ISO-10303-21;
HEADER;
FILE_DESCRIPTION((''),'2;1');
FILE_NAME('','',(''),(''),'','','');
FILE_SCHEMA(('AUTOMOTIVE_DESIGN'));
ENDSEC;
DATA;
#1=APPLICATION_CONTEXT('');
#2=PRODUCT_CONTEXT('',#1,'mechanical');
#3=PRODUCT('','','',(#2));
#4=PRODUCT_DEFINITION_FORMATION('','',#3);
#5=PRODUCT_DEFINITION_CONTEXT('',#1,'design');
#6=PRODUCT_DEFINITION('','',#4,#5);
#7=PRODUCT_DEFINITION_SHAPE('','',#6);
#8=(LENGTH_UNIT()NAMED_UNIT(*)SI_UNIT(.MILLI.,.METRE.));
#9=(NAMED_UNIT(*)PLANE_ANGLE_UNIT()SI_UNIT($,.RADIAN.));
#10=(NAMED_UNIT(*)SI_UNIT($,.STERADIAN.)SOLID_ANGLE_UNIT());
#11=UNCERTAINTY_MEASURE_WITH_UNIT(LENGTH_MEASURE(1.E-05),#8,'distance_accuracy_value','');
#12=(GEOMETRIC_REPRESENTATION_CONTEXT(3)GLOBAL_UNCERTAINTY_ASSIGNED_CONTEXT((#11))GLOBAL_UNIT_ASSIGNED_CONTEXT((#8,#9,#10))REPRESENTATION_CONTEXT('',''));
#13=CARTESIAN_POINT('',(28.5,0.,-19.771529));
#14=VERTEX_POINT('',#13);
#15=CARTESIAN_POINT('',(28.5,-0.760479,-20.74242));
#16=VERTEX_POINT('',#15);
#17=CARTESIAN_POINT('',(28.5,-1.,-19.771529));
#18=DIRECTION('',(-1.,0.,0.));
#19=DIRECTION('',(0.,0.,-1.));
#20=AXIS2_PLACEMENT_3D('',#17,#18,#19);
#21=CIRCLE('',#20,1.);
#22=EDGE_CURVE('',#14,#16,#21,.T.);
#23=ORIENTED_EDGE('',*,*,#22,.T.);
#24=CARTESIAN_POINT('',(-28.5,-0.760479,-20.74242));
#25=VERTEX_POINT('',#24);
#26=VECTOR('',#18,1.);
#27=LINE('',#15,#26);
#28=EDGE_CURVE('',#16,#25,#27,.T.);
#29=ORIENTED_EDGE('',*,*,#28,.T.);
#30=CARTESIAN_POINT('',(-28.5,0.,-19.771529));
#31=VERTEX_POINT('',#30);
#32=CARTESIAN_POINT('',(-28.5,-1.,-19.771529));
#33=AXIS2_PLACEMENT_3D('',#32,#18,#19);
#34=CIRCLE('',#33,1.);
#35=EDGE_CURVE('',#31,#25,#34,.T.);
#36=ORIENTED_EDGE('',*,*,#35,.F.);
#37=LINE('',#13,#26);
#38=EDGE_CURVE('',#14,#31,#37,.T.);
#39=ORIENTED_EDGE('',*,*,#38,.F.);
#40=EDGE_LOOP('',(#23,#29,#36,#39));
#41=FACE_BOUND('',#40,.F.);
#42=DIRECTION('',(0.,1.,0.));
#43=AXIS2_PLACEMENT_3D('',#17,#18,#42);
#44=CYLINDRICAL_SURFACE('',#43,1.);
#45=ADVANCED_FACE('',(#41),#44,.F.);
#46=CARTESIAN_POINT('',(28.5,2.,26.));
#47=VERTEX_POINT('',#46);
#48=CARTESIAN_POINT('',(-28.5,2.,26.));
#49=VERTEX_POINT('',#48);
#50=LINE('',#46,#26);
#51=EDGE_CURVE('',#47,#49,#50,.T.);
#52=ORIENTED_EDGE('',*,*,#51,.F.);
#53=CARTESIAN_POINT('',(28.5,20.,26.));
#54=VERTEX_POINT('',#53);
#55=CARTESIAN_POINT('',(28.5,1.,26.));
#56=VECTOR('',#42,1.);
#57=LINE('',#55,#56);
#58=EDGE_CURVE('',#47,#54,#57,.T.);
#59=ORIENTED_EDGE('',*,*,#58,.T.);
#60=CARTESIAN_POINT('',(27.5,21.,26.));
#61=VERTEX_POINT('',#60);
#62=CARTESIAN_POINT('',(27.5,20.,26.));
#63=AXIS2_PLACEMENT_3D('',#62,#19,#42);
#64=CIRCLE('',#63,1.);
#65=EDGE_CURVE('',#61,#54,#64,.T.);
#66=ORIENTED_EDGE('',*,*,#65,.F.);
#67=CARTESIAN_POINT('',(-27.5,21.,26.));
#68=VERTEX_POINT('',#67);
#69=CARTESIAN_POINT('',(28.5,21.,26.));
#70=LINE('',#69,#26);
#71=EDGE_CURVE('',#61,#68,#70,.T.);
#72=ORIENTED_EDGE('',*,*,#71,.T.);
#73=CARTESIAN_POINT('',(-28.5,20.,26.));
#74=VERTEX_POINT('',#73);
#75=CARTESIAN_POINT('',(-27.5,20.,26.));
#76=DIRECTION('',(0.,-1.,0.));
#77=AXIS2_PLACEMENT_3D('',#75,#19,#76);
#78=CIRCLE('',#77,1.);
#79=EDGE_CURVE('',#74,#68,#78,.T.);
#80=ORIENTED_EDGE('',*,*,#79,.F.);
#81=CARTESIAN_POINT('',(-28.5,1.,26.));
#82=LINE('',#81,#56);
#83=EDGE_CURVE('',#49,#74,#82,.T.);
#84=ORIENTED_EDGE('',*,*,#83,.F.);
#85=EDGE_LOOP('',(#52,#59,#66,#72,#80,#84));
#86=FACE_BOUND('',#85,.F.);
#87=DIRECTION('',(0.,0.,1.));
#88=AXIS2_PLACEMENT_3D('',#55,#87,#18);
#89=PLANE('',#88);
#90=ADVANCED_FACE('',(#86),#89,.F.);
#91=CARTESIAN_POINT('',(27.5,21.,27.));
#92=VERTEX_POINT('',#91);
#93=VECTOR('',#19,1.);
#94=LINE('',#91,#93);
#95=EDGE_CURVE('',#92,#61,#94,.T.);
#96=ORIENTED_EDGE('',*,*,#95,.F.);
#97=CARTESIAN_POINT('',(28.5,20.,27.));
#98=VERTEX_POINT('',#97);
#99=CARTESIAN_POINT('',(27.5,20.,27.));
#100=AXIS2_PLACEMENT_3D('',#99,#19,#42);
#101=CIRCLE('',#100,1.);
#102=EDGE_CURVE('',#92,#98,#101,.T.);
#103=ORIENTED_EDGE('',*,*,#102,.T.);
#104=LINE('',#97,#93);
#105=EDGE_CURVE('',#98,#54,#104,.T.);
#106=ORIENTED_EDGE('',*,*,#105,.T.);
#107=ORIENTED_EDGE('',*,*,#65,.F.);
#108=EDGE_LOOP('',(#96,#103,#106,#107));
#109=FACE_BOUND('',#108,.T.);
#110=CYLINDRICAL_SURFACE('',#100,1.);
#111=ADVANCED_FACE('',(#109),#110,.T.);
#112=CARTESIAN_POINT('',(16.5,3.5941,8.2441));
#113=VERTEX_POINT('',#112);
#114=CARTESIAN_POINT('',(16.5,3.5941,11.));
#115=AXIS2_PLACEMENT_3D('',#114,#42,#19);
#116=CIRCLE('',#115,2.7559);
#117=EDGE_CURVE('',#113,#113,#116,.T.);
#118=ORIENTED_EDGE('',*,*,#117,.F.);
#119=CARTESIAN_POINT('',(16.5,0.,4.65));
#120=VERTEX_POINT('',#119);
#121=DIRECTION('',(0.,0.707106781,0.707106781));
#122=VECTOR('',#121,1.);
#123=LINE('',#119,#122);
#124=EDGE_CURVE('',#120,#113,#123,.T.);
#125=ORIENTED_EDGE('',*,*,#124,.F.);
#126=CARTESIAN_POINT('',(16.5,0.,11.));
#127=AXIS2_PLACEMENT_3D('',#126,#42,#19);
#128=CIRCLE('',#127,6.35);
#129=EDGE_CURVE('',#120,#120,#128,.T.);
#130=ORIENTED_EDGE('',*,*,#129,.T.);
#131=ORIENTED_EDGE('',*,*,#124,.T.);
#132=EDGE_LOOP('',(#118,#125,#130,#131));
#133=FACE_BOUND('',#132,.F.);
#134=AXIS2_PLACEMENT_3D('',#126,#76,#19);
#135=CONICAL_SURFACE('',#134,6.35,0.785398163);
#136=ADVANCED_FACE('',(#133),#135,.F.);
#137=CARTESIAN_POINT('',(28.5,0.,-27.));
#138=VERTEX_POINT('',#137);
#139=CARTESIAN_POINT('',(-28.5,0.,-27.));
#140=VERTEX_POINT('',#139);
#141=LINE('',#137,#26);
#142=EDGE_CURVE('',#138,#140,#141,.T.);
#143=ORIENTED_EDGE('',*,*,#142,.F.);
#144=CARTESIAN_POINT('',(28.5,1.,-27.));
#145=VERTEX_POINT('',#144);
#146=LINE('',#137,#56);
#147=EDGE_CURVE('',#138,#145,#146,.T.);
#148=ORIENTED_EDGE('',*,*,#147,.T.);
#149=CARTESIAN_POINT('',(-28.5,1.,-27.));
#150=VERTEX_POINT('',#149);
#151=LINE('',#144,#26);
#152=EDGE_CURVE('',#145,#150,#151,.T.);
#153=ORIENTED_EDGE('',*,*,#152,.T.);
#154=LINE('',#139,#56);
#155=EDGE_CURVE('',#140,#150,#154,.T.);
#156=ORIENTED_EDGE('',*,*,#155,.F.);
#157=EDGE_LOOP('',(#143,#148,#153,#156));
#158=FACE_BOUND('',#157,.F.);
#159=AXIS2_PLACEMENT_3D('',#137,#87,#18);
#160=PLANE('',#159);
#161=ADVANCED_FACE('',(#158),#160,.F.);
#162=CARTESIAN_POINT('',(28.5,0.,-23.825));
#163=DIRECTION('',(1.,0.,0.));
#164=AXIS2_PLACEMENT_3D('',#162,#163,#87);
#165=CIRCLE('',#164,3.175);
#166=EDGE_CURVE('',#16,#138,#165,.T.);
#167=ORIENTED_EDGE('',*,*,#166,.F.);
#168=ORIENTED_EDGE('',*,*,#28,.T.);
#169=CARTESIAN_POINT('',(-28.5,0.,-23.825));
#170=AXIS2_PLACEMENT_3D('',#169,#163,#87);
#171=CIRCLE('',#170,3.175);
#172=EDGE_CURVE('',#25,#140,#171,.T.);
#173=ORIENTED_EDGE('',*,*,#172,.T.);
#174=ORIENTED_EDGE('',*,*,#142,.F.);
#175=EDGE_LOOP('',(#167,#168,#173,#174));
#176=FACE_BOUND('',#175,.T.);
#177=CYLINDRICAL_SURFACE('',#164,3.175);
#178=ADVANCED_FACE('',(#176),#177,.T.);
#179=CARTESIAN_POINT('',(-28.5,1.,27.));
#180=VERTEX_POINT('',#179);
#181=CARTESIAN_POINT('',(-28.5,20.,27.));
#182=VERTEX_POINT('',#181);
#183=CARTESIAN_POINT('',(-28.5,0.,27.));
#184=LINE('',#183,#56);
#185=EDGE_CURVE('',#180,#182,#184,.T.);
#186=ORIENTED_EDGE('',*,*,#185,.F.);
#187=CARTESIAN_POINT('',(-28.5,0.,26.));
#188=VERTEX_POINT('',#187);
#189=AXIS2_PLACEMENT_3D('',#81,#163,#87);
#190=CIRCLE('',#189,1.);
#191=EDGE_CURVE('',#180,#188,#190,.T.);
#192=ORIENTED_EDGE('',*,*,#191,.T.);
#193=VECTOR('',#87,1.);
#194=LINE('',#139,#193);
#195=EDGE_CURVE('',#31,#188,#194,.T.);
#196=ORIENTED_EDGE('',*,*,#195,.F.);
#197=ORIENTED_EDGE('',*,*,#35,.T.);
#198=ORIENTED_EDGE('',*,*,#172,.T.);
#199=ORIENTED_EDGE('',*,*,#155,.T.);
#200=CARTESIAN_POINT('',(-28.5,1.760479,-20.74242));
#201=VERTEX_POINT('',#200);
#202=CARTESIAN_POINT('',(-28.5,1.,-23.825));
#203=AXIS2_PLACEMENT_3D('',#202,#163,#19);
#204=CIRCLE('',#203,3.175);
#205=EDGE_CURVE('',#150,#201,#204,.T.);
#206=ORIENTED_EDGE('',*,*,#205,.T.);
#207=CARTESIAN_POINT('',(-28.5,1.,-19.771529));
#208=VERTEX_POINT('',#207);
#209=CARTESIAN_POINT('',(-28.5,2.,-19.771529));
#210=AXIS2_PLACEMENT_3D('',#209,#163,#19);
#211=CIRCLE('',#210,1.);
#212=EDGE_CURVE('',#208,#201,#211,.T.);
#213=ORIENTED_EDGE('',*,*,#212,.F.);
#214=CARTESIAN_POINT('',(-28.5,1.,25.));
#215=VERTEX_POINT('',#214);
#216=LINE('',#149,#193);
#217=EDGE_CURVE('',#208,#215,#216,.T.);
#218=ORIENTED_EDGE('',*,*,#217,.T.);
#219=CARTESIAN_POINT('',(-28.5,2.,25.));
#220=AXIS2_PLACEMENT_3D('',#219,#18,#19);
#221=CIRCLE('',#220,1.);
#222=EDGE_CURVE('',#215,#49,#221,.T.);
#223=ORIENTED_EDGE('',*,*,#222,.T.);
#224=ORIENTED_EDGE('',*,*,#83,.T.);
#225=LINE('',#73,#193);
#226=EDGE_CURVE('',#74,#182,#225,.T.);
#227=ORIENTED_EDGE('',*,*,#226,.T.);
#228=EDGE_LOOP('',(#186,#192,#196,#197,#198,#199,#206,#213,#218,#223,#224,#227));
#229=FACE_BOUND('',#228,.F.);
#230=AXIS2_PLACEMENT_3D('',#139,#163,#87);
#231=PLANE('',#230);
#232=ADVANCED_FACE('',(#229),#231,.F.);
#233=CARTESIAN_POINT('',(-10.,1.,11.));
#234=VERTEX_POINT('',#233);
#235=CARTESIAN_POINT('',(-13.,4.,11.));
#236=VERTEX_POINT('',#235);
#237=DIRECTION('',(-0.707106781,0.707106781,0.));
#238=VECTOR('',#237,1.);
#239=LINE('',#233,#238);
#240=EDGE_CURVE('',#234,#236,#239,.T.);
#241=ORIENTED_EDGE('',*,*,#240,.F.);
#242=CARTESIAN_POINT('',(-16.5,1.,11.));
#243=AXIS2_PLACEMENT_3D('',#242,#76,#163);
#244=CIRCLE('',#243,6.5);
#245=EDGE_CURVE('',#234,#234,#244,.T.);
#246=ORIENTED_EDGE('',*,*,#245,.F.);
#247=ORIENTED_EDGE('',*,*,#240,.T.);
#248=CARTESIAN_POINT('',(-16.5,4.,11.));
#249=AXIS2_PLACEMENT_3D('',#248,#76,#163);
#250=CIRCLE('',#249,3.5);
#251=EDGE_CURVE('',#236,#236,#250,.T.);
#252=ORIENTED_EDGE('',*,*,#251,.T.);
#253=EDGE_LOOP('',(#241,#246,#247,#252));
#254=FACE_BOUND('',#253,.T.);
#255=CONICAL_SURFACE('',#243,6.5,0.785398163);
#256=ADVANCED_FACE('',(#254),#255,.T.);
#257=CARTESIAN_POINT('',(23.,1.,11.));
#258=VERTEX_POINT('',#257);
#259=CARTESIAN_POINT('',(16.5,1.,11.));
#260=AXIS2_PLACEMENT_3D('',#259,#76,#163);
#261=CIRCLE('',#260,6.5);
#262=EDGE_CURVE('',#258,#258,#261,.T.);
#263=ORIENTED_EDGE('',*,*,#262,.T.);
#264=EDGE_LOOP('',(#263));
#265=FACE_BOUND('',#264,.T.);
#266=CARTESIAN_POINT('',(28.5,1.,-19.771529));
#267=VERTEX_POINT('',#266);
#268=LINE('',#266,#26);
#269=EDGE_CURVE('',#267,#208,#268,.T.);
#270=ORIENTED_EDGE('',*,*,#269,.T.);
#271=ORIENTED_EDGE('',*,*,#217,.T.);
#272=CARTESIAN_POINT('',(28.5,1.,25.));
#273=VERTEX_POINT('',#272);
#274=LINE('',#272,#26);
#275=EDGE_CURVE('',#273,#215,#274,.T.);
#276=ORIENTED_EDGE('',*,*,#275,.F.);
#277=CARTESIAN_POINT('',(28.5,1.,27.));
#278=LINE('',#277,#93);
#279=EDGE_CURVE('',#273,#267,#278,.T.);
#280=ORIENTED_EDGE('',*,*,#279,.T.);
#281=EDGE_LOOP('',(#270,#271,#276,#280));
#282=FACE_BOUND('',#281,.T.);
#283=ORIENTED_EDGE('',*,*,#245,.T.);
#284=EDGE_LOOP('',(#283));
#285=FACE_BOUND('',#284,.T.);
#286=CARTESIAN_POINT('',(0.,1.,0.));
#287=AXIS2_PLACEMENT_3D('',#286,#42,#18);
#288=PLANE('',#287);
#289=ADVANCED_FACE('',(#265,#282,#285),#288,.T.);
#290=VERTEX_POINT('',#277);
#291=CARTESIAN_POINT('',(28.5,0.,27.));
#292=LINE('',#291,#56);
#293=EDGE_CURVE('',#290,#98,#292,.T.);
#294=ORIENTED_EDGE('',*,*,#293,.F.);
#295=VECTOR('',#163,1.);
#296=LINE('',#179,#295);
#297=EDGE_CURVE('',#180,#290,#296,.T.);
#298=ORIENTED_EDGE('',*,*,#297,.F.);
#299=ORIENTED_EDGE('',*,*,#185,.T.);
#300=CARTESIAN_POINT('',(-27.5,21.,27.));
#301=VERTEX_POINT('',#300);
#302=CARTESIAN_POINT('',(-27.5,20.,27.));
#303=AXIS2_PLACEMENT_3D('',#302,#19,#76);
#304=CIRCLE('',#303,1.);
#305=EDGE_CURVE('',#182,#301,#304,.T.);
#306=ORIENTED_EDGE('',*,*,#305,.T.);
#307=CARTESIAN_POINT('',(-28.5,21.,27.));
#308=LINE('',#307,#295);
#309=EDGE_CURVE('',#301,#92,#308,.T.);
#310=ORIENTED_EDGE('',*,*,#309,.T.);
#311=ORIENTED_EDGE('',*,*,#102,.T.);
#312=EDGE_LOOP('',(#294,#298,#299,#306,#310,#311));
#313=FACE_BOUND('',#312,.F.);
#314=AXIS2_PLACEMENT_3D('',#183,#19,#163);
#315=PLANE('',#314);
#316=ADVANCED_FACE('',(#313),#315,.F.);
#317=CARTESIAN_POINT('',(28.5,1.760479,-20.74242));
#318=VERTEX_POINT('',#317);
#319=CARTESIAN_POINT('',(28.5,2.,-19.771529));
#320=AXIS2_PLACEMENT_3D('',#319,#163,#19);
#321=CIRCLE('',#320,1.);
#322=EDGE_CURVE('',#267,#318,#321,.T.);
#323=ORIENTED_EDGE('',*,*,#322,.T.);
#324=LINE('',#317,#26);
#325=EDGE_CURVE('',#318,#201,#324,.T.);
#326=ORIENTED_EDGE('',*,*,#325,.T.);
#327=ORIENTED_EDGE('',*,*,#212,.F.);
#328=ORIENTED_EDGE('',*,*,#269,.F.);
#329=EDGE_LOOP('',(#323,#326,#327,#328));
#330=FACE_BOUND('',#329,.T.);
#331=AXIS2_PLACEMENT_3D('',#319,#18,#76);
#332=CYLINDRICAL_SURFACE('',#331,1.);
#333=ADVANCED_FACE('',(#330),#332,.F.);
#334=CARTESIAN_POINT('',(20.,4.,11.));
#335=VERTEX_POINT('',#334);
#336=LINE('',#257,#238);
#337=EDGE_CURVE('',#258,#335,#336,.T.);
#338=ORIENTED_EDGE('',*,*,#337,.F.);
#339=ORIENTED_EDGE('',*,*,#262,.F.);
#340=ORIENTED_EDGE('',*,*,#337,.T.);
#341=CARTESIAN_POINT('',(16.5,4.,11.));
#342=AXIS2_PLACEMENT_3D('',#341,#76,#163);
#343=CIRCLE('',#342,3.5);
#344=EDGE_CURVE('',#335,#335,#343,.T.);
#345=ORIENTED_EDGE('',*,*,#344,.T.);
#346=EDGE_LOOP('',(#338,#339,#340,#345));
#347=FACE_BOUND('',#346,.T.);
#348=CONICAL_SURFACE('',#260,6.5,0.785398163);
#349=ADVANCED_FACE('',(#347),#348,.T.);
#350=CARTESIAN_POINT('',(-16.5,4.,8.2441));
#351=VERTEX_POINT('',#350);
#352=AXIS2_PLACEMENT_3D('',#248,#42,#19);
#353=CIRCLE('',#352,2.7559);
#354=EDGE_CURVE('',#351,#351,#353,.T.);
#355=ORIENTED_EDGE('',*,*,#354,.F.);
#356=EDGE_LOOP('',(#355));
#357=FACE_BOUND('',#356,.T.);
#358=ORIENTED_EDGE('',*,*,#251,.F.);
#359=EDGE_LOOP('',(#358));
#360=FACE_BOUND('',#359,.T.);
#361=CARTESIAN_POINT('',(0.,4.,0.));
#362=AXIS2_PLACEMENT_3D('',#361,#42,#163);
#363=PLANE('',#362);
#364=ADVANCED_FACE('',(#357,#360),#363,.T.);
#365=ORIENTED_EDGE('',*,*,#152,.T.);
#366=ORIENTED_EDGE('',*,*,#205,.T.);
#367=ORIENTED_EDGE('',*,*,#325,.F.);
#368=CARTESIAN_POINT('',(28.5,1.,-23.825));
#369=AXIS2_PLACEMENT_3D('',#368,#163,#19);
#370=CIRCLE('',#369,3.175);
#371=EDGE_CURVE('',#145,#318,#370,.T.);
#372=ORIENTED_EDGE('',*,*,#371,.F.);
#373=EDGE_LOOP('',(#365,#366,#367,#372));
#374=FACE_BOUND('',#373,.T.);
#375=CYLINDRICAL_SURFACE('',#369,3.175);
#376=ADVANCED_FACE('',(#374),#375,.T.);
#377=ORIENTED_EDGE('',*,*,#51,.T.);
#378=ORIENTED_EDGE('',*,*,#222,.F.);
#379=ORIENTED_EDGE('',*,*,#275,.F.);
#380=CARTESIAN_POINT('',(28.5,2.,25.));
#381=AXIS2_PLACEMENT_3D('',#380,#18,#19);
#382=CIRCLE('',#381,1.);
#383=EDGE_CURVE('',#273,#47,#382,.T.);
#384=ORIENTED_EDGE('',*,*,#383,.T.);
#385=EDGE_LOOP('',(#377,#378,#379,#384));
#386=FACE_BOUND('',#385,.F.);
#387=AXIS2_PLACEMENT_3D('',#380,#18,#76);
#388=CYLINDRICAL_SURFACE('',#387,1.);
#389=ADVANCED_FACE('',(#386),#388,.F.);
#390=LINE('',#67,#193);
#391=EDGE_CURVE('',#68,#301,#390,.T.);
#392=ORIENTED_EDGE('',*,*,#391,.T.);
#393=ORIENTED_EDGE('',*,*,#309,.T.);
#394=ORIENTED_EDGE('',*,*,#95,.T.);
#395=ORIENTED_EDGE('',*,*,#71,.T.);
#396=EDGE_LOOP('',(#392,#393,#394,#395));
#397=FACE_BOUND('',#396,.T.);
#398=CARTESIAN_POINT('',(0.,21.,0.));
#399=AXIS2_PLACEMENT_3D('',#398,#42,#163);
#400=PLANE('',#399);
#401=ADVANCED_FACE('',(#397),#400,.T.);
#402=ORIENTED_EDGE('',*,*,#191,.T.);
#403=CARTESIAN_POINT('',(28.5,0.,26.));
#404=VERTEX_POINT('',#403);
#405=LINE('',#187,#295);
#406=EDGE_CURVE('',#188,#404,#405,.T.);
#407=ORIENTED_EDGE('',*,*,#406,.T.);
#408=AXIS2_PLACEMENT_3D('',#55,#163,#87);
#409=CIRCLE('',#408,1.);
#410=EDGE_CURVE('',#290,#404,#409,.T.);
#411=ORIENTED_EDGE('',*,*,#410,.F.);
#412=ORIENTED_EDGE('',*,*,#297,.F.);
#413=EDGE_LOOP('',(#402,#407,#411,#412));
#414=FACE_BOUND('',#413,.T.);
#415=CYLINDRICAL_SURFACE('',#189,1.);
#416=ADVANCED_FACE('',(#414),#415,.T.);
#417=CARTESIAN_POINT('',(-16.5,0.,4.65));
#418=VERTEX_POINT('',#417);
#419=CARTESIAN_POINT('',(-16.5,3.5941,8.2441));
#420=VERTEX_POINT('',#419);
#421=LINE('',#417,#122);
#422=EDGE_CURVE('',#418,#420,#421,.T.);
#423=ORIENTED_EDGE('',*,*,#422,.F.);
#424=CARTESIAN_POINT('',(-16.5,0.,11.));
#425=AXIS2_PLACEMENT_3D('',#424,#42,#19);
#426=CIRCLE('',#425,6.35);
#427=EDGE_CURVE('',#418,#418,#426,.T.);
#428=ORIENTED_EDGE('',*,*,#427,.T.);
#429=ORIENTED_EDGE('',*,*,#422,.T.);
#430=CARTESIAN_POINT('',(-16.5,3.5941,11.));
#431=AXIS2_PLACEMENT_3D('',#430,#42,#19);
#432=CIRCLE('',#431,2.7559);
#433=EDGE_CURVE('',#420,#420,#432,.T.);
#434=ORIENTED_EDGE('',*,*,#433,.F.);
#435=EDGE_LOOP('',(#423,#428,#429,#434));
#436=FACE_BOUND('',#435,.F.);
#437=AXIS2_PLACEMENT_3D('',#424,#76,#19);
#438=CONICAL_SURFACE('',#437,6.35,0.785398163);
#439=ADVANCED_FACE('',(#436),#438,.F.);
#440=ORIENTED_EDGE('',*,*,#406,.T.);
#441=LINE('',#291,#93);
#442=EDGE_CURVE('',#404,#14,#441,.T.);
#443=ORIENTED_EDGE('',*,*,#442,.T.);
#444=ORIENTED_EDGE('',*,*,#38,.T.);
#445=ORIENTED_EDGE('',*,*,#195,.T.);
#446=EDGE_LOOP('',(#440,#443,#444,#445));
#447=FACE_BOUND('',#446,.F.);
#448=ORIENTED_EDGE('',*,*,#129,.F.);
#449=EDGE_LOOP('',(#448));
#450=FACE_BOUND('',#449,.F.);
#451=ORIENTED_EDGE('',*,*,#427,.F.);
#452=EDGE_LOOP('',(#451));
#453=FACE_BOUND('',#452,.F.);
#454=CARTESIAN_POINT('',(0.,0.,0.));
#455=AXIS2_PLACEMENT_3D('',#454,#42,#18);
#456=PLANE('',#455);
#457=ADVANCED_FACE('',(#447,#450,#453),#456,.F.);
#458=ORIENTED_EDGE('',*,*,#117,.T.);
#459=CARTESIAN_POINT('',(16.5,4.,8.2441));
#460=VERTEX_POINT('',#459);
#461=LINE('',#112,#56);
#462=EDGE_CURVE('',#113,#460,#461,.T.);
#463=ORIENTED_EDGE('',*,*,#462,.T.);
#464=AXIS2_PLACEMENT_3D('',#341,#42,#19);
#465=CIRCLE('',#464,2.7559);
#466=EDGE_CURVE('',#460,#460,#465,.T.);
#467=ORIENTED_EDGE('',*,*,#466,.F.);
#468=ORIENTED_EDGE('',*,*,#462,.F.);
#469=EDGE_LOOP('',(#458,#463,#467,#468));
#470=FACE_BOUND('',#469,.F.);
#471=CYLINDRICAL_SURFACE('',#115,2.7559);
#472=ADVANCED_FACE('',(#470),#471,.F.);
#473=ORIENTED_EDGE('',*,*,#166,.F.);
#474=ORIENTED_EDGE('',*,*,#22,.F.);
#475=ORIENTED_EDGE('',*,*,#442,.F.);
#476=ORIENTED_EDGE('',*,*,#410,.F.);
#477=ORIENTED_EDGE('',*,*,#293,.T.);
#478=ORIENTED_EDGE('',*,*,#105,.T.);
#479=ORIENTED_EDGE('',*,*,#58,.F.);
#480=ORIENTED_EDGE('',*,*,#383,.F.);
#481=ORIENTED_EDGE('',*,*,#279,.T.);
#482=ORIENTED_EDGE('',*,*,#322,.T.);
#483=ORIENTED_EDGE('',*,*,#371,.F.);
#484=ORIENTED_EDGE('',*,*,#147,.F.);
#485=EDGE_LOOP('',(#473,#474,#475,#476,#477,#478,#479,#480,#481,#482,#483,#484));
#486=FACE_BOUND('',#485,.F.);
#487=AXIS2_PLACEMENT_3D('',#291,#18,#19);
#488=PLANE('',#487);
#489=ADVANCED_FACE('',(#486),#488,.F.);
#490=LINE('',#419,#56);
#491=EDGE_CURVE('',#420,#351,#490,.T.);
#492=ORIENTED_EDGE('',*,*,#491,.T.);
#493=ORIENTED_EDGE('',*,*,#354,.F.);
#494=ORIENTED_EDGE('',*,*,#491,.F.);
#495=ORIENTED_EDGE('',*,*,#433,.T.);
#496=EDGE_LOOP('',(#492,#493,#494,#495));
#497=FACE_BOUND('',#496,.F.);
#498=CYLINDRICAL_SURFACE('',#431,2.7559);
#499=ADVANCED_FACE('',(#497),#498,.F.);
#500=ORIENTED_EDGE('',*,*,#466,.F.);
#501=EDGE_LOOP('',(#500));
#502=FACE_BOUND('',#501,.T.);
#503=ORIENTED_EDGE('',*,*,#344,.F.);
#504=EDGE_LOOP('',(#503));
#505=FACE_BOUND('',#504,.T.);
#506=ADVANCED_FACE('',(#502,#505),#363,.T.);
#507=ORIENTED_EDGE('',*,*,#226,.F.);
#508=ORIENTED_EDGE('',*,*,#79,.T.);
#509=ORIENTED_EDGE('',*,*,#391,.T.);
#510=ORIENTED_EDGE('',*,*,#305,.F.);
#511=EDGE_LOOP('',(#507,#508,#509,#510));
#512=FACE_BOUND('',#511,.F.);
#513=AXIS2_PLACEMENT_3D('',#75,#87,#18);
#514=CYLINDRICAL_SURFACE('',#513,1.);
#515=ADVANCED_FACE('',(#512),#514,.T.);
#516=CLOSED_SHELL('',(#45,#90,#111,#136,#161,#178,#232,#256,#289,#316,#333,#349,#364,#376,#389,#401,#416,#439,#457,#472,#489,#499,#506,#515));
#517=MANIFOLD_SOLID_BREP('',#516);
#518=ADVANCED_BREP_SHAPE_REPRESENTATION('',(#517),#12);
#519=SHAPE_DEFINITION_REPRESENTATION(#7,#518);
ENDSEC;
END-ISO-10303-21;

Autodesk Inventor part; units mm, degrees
ref_plane "YZ Plane" through (0, 0, 0) normal (1, 0, 0) x (0, 1, 0)
ref_plane "XZ Plane" through (0, 0, 0) normal (0, 1, 0) x (-1, 0, 0)
ref_plane "XY Plane" through (0, 0, 0) normal (0, 0, 1) x (1, 0, 0)
sketch "Sketch1" plane through (0, 0, 0) normal (0, 1, 0) x (-1, 0, 0)
  line L0 (28.5, 27) -> (-28.5, 27)
  line L1 (-28.5, 27) -> (-28.5, -27)
  line L2 (-28.5, -27) -> (28.5, -27)
  line L3 (28.5, -27) -> (28.5, 27)
  line L4 (28.5, 27) -> (-28.5, -27) construction
  line L5 (-28.5, 27) -> (28.5, -27) construction
  point P0 (0, 0)
  dimension "d0" = 57
  dimension "d1" = 54
extrude "Extrusion1" add sketch "Sketch1" along normal blind 1
sketch "Sketch2" plane through (0, 1, 0) normal (0, 1, 0) x (1, 0, 0)
  line L0 (-28.5, 27) -> (-28.5, -27) projected
  line L1 (28.5, -27) -> (28.5, 27) projected
  line L2 (-28.5, -27) -> (28.5, -27)
  line L3 (28.5, -27) -> (28.5, -26)
  line L4 (28.5, -26) -> (-28.5, -26)
  line L5 (-28.5, -26) -> (-28.5, -27)
  point P0 (0, 0)
  point P1 (-28.5, -26)
  dimension "d4" = 1
extrude "Extrusion2" add sketch "Sketch2" along normal blind 20
sketch "Sketch3" plane through (0, 1, 0) normal (0, 1, 0) x (1, 0, 0)
  line L0 (-28.5, 27) -> (-28.5, -27) projected
  line L1 (-28.5, -11) -> (28.5, -11) construction
  line L2 (28.5, -27) -> (28.5, 27) projected
  line L3 (28.5, -26) -> (-28.5, -26) projected
  line L4 (0, -26) -> (0, 22.5) construction
  circle A0 centre (-16.5, -11) radius 6.5
  circle A1 centre (16.5, -11) radius 6.5
  point P0 (0, 0)
  dimension "d7" = 15
  dimension "d8" = 13
  dimension "d9" = 12
extrude "Extrusion3" add sketch "Sketch3" along normal blind 3 draft -45
sketch "Sketch4" plane through (0, 0, 0) normal (0, -1, 0) x (1, 0, 0)
  circle A0 centre (16.5, 11) radius 3.5 projected
  circle A1 centre (-16.5, 11) radius 3.5 projected
  circle A2 centre (16.5, 11) radius 3.5 projected
  circle A3 centre (-16.5, 11) radius 3.5 projected
  point P0 (0, 0)
hole "Hole1" at (16.5, 0, 11) at (-16.5, 0, 11) direction (0, 1, 0) diameter 5.5118 end through all countersink diameter 12.7 countersink angle 90 clearance for "Flat Head Machine Screw" size "M5" standard "Ansi Metric M Profile"
fillet "Fillet1" radius 1 2 edges at (0, 1, 26) (0, 0, 27)
sketch "Sketch5" plane through (28.5, 0, 26) normal (1, 0, 0) x (0, 0, -1)
  line L0 (53, 1) -> (1, 1) projected
  arc A0 (53, 1) -> (46.65, 1) centre (49.825, 1) ccw
  line L1 (53, 0) -> (0, 0) projected
  arc A1 (46.65, 0) -> (53, 0) centre (49.825, 0) ccw
  point P0 (26, 0)
  dimension "d20" = 6.35
  dimension "d24" = 6.35
extrude "Extrusion4" add sketch "Sketch5" against normal up to surface (57 mm away)
fillet "Fillet2" radius 1 6 edges at (0, 1, -20.65) (0, 1, -27) (0, 0, -27) (28.5, 21, 26.5) (-28.5, 21, 26.5) (0, 0, -20.65)
equation "\"d24\" = d20"
properties part number "Handle V1"
